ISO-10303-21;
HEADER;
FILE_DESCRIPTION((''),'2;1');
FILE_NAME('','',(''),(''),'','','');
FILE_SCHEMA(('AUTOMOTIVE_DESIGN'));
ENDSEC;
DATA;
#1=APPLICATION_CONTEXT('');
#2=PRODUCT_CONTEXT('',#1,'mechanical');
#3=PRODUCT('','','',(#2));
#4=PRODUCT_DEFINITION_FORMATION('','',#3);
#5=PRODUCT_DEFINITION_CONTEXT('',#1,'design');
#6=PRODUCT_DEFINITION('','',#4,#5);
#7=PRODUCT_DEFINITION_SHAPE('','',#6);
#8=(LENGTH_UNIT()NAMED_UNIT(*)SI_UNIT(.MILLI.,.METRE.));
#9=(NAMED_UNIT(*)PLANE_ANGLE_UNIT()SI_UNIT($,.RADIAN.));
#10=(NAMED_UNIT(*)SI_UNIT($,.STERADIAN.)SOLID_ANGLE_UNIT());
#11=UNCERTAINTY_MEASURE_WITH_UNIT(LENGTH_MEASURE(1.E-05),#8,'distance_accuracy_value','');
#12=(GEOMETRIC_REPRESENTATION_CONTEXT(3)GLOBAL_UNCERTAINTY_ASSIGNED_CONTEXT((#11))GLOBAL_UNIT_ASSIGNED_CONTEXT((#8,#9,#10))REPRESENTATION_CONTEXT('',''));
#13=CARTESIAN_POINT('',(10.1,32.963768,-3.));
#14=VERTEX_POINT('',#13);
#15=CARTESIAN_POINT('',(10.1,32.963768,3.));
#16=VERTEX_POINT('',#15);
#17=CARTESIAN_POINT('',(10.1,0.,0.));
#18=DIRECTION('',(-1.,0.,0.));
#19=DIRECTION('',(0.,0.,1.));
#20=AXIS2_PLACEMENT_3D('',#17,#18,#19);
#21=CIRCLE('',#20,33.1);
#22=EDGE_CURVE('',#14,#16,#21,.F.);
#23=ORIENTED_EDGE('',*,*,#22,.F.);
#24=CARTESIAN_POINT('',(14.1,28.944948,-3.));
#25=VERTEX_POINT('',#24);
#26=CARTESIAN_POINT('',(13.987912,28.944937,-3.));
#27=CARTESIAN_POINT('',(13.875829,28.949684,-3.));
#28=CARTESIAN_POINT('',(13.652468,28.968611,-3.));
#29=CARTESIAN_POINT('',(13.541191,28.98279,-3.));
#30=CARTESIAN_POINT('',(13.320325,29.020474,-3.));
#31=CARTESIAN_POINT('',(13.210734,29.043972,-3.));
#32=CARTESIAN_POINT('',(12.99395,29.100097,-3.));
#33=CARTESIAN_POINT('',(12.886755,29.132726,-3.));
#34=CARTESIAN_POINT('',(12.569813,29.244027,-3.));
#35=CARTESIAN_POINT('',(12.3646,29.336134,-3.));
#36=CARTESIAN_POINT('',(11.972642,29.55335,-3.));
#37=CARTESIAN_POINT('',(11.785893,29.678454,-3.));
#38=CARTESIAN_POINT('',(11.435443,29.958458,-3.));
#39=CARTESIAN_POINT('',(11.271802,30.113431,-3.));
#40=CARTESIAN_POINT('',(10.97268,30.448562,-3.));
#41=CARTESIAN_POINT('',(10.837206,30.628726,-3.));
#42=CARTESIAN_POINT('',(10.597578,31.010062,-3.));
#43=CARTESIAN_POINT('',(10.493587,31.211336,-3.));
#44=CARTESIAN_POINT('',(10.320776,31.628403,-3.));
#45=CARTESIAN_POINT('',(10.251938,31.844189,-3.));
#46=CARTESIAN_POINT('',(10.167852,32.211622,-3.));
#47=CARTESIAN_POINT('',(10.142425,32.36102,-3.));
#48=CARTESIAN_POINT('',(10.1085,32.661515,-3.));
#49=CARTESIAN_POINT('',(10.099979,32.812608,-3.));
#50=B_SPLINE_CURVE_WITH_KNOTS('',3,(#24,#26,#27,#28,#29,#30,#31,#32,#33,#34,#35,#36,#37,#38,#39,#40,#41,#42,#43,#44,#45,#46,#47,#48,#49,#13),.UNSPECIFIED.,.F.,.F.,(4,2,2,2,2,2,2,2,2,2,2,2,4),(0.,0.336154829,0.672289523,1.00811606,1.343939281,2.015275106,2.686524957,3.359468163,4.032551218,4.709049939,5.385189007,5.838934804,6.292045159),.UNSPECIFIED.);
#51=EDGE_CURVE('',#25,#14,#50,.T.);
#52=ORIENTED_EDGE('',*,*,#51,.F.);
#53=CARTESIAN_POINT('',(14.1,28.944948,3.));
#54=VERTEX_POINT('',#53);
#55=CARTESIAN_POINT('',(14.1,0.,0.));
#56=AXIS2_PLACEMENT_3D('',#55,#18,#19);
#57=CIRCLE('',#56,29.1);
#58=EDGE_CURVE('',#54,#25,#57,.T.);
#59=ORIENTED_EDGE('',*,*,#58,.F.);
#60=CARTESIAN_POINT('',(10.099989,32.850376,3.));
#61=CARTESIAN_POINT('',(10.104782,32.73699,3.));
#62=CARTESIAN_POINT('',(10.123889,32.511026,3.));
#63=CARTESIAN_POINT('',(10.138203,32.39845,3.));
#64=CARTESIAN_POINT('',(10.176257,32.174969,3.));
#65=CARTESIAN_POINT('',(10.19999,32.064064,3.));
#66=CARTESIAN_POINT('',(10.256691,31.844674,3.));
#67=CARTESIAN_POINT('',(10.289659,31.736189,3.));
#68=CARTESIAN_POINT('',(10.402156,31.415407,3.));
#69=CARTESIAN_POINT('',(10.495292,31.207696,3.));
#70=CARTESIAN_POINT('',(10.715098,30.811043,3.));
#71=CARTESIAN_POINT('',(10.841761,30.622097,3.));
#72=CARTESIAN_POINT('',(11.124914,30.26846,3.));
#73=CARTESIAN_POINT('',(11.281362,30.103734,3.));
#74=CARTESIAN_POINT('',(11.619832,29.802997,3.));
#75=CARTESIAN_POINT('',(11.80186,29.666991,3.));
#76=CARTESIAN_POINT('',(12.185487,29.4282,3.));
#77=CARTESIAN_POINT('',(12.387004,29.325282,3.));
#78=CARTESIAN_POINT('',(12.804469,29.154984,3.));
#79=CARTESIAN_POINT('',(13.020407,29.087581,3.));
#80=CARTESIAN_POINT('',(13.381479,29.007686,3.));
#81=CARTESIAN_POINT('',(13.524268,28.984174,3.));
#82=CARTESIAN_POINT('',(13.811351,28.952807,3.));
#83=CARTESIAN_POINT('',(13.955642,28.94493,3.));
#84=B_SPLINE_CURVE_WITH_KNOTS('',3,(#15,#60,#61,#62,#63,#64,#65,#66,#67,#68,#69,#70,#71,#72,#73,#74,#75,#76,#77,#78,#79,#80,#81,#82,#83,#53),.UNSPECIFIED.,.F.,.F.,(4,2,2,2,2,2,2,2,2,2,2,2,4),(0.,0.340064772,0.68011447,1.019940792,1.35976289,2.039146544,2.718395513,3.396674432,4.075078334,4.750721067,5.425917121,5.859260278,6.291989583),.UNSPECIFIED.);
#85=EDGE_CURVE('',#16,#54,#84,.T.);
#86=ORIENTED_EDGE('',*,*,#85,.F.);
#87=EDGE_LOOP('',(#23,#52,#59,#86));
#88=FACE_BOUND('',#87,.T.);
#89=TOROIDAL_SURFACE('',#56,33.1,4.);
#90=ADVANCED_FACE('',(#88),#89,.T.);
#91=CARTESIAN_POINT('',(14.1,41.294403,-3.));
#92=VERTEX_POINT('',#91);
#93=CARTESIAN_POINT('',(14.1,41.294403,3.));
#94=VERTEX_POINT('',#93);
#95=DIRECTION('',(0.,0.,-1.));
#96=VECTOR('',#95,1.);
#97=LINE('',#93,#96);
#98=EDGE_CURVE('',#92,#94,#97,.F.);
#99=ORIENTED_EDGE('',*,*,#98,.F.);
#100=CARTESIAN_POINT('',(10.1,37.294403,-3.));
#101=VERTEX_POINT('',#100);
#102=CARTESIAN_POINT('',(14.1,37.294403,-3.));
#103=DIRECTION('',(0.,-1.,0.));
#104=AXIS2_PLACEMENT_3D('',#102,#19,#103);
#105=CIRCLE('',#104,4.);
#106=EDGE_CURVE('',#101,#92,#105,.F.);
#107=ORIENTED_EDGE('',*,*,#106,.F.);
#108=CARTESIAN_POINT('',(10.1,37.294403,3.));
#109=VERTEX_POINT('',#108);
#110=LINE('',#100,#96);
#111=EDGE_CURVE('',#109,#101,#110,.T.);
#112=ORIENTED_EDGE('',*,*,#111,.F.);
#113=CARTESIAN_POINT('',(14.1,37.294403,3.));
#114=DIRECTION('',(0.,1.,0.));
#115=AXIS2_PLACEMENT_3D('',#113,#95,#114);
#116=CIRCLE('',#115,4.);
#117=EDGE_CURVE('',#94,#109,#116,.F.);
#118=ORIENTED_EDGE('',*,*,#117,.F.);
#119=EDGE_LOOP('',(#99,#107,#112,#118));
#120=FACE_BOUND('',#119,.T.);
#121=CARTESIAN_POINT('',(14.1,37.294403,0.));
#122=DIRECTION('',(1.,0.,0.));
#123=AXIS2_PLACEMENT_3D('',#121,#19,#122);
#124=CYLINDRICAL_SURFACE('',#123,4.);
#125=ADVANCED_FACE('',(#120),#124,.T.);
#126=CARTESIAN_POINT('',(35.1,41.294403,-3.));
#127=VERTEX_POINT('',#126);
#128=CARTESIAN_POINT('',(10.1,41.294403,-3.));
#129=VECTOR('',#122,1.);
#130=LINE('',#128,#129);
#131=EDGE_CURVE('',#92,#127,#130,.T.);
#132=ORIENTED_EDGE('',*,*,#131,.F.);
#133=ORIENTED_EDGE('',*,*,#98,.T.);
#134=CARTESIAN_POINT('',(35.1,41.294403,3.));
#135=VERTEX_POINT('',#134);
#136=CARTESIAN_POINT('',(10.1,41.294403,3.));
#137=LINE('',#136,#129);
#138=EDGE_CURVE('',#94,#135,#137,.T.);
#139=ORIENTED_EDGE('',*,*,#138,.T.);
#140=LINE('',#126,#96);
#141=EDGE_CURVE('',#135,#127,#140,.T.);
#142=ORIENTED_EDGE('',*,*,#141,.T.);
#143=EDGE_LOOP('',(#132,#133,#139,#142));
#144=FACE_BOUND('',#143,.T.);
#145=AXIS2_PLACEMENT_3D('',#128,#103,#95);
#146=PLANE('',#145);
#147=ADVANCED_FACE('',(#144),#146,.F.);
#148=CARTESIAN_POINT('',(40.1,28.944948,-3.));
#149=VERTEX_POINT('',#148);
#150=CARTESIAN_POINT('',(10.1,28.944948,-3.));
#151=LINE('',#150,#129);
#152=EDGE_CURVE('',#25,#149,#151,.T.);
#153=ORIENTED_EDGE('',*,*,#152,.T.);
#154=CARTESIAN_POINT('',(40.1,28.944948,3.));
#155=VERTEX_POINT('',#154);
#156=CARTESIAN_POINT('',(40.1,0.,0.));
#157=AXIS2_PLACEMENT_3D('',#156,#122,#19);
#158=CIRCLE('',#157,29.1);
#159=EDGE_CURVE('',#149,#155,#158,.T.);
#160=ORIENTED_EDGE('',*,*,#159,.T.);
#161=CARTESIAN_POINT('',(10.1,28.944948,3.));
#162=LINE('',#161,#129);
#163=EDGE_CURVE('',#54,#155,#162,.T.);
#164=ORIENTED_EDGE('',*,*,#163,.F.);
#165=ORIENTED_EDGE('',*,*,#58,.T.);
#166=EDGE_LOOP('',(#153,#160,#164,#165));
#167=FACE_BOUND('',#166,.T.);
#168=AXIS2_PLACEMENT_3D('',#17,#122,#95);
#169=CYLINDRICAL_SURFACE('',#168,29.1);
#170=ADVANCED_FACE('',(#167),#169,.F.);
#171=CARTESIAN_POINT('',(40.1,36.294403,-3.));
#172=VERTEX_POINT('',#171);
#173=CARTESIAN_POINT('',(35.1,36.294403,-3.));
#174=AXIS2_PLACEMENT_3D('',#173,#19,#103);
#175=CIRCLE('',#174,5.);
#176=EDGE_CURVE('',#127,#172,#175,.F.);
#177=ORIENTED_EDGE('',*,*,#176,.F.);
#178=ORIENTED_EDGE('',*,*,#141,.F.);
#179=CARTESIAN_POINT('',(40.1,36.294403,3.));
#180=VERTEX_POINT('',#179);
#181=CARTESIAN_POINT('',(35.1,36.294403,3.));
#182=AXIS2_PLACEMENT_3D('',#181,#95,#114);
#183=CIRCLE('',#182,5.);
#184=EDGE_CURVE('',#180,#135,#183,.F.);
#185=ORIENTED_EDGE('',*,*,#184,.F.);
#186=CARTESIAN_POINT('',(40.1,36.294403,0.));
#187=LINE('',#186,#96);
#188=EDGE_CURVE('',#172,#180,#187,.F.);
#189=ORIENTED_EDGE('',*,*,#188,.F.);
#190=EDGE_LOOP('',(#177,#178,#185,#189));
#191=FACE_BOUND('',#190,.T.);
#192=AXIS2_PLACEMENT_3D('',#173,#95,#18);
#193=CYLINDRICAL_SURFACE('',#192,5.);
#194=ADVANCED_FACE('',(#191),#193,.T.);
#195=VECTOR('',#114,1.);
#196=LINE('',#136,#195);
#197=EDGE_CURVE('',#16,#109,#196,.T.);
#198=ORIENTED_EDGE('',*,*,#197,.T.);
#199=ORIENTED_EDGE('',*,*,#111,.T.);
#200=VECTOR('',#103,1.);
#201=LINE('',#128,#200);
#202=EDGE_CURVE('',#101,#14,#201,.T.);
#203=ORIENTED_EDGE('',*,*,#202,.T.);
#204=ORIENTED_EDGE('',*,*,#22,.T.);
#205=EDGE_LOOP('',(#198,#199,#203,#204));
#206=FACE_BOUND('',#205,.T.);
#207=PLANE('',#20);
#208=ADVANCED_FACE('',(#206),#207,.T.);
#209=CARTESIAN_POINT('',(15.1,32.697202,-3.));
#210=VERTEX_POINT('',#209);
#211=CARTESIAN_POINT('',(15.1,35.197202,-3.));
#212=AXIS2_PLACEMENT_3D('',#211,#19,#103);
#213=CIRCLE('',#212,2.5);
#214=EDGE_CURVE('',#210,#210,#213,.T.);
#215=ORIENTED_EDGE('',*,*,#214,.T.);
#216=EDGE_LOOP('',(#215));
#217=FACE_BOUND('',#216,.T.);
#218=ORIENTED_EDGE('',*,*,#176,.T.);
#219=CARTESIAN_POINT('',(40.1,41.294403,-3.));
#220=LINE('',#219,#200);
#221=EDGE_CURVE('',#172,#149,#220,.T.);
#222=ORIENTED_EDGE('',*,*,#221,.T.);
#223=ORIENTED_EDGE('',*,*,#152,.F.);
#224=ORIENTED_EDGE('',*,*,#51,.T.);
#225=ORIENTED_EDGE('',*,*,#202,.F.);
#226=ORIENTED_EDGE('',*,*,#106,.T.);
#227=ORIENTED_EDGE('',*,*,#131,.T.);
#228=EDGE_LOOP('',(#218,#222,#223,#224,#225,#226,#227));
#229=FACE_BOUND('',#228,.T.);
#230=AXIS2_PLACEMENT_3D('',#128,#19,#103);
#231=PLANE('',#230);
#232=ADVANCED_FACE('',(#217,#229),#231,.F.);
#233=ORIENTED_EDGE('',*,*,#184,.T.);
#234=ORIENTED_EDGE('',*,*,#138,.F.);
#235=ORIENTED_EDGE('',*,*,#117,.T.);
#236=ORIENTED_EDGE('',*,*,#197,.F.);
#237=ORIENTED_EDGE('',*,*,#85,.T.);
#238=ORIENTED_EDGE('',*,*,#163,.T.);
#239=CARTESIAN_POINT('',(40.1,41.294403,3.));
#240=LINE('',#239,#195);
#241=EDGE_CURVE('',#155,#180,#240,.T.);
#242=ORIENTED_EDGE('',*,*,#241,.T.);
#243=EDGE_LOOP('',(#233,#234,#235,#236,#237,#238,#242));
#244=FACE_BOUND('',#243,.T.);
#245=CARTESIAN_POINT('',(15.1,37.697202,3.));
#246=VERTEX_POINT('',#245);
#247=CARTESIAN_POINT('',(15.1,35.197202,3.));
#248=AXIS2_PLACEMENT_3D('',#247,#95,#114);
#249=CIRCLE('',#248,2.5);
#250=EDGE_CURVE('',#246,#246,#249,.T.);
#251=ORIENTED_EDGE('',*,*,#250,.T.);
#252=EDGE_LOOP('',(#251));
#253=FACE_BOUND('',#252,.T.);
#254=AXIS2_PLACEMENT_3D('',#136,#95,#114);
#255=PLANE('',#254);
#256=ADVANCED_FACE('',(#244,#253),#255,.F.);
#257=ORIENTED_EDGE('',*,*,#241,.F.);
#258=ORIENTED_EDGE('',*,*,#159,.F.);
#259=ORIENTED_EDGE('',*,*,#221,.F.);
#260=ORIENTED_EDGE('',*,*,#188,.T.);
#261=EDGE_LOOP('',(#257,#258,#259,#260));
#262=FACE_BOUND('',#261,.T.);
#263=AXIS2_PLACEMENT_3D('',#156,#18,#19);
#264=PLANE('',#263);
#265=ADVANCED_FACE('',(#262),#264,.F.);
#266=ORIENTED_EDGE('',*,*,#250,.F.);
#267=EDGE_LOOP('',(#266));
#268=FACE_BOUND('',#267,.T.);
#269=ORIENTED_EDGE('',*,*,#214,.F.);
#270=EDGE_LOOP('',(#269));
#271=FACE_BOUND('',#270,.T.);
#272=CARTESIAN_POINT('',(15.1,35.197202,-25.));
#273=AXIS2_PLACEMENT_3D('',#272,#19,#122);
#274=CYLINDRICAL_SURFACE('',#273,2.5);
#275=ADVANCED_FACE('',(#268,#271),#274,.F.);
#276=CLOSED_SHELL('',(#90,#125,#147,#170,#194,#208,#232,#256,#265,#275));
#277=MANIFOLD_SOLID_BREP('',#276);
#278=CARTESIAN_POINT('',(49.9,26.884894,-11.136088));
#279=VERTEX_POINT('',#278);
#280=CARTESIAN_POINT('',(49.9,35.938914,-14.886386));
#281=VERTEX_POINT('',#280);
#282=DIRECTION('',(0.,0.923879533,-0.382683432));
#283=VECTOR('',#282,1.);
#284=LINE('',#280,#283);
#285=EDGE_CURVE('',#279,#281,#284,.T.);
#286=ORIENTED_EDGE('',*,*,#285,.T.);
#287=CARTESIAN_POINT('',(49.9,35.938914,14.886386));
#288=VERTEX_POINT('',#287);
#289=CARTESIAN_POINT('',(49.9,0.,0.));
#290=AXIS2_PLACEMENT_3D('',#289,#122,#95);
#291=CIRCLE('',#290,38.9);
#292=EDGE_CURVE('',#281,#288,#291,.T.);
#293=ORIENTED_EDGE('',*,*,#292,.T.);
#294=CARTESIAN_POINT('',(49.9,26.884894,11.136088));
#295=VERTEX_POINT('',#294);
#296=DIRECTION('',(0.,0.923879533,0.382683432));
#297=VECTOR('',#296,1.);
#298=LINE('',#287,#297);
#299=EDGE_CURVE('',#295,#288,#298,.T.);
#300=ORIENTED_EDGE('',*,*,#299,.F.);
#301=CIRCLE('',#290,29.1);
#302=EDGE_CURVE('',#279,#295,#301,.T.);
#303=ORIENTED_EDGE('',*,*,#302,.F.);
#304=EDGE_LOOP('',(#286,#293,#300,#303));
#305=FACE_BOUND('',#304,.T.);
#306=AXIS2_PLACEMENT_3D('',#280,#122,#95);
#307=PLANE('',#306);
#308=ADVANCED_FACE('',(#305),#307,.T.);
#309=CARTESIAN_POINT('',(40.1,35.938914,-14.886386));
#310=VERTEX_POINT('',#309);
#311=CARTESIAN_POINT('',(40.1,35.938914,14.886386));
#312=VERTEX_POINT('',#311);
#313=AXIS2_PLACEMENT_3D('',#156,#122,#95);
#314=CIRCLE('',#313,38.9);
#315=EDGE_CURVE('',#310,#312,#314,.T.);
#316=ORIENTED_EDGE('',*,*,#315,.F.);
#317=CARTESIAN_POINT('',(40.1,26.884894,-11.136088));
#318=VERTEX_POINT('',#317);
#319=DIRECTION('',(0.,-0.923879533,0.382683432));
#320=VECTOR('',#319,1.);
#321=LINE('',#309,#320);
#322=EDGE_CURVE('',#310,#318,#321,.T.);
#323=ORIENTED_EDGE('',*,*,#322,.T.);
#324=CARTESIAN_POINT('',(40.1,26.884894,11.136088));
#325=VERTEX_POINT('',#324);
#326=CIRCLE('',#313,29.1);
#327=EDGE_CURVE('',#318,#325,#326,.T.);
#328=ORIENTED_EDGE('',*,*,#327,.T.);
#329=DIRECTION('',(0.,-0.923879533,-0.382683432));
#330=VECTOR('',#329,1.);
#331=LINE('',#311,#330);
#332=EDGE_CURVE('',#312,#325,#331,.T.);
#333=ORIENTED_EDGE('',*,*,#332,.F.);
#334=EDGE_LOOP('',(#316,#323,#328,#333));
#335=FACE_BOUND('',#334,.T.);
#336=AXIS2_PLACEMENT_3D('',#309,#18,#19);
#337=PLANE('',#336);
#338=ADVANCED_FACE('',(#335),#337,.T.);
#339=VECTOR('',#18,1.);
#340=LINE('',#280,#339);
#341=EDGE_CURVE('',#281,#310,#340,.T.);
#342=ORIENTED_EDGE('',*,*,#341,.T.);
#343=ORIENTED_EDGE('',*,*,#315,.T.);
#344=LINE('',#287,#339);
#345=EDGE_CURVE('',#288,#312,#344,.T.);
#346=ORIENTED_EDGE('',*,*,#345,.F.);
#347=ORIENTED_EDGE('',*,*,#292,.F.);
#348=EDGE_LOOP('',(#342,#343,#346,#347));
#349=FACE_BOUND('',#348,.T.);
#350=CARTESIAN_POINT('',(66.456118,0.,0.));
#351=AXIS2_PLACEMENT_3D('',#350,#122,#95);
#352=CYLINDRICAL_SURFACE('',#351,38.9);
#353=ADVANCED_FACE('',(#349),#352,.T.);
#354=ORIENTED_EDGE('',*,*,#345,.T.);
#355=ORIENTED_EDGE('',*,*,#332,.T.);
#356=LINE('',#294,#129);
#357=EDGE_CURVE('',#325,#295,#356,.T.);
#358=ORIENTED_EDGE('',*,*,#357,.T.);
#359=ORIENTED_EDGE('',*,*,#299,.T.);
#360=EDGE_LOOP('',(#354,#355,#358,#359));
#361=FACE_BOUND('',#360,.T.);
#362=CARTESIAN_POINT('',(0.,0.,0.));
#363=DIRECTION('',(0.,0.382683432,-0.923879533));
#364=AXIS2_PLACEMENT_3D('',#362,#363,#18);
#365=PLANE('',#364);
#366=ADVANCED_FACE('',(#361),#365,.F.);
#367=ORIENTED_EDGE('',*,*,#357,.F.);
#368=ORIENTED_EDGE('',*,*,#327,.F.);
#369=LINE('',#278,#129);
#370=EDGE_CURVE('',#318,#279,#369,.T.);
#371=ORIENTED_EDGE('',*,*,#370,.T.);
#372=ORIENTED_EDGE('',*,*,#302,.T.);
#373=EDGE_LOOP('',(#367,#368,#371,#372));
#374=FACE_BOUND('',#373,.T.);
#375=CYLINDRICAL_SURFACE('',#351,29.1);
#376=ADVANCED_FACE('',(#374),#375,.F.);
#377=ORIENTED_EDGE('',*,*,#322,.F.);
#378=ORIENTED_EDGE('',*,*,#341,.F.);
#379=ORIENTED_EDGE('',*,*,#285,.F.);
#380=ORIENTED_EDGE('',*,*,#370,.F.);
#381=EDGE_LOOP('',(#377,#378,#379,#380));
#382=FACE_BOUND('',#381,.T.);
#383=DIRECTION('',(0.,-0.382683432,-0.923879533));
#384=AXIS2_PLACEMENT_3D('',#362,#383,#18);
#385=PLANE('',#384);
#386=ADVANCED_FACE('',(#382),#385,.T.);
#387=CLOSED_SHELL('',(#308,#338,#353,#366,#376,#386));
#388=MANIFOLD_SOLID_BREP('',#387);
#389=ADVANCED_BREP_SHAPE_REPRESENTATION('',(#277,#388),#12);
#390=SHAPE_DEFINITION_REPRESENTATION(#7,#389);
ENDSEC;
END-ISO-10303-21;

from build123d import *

# Parameters (mm, degrees)
SKETCH_1_W          = 9.8
SKETCH_1_H          = 9.8
REVOLVE_1_ANGLE     = 45
EXTRUDE_1_DEPTH     = 30
SKETCH_4_R          = 2.5
CUT_EXTRUDE_1_DEPTH = 25
FILLET_5_R          = 4
FILLET_6_R          = 5


with BuildPart() as part:
    # Эскиз1 → Повернуть1 (revolve, symmetric)
    with BuildSketch(Plane.XY) as revolve_1_sk:
        with Locations((45, 34)):
            Rectangle(SKETCH_1_W, SKETCH_1_H)
    revolve(axis=Axis((66.456117982, 0, 0), (-1, 0, 0)), revolution_arc=REVOLVE_1_ANGLE / 2)
    revolve(revolve_1_sk.sketch, axis=Axis((66.456117982, 0, 0), (1, 0, 0)), revolution_arc=REVOLVE_1_ANGLE / 2)


with BuildPart() as body_2:
    # Эскиз2 → Бобышка-Вытянуть1 (new body)
    with BuildSketch(Plane.ZY.offset(-40.1)):
        with BuildLine():
            Line((-3, 41.294403104), (-3, 28.944947746))
            ThreePointArc((-3, 28.944947746), (0, 29.1), (3, 28.944947746))
            Line((3, 28.944947746), (3, 41.294403104))
            Line((3, 41.294403104), (-3, 41.294403104))
        make_face()
    extrude(amount=EXTRUDE_1_DEPTH)

    # Эскиз4 → Вырез-Вытянуть1 (cut, symmetric)
    with BuildSketch(Plane.XY):
        with Locations(Location((15.1, 35.197201552, 0), (0, 0, 90))):
            Circle(SKETCH_4_R)
    extrude(amount=CUT_EXTRUDE_1_DEPTH, both=True, mode=Mode.SUBTRACT)

    # Скругление5
    fillet_5_edges = [body_2.edges().sort_by_distance(p)[0] for p in [
        (10.1, 29.1, 0),
        (10.1, 41.294403104, 0),
    ]]
    fillet(fillet_5_edges, radius=FILLET_5_R)

    # Скругление6
    fillet_6_edges = [body_2.edges().sort_by_distance(p)[0] for p in [
        (40.1, 41.294403104, 0),
    ]]
    fillet(fillet_6_edges, radius=FILLET_6_R)


solid = Compound([part.part, body_2.part])
